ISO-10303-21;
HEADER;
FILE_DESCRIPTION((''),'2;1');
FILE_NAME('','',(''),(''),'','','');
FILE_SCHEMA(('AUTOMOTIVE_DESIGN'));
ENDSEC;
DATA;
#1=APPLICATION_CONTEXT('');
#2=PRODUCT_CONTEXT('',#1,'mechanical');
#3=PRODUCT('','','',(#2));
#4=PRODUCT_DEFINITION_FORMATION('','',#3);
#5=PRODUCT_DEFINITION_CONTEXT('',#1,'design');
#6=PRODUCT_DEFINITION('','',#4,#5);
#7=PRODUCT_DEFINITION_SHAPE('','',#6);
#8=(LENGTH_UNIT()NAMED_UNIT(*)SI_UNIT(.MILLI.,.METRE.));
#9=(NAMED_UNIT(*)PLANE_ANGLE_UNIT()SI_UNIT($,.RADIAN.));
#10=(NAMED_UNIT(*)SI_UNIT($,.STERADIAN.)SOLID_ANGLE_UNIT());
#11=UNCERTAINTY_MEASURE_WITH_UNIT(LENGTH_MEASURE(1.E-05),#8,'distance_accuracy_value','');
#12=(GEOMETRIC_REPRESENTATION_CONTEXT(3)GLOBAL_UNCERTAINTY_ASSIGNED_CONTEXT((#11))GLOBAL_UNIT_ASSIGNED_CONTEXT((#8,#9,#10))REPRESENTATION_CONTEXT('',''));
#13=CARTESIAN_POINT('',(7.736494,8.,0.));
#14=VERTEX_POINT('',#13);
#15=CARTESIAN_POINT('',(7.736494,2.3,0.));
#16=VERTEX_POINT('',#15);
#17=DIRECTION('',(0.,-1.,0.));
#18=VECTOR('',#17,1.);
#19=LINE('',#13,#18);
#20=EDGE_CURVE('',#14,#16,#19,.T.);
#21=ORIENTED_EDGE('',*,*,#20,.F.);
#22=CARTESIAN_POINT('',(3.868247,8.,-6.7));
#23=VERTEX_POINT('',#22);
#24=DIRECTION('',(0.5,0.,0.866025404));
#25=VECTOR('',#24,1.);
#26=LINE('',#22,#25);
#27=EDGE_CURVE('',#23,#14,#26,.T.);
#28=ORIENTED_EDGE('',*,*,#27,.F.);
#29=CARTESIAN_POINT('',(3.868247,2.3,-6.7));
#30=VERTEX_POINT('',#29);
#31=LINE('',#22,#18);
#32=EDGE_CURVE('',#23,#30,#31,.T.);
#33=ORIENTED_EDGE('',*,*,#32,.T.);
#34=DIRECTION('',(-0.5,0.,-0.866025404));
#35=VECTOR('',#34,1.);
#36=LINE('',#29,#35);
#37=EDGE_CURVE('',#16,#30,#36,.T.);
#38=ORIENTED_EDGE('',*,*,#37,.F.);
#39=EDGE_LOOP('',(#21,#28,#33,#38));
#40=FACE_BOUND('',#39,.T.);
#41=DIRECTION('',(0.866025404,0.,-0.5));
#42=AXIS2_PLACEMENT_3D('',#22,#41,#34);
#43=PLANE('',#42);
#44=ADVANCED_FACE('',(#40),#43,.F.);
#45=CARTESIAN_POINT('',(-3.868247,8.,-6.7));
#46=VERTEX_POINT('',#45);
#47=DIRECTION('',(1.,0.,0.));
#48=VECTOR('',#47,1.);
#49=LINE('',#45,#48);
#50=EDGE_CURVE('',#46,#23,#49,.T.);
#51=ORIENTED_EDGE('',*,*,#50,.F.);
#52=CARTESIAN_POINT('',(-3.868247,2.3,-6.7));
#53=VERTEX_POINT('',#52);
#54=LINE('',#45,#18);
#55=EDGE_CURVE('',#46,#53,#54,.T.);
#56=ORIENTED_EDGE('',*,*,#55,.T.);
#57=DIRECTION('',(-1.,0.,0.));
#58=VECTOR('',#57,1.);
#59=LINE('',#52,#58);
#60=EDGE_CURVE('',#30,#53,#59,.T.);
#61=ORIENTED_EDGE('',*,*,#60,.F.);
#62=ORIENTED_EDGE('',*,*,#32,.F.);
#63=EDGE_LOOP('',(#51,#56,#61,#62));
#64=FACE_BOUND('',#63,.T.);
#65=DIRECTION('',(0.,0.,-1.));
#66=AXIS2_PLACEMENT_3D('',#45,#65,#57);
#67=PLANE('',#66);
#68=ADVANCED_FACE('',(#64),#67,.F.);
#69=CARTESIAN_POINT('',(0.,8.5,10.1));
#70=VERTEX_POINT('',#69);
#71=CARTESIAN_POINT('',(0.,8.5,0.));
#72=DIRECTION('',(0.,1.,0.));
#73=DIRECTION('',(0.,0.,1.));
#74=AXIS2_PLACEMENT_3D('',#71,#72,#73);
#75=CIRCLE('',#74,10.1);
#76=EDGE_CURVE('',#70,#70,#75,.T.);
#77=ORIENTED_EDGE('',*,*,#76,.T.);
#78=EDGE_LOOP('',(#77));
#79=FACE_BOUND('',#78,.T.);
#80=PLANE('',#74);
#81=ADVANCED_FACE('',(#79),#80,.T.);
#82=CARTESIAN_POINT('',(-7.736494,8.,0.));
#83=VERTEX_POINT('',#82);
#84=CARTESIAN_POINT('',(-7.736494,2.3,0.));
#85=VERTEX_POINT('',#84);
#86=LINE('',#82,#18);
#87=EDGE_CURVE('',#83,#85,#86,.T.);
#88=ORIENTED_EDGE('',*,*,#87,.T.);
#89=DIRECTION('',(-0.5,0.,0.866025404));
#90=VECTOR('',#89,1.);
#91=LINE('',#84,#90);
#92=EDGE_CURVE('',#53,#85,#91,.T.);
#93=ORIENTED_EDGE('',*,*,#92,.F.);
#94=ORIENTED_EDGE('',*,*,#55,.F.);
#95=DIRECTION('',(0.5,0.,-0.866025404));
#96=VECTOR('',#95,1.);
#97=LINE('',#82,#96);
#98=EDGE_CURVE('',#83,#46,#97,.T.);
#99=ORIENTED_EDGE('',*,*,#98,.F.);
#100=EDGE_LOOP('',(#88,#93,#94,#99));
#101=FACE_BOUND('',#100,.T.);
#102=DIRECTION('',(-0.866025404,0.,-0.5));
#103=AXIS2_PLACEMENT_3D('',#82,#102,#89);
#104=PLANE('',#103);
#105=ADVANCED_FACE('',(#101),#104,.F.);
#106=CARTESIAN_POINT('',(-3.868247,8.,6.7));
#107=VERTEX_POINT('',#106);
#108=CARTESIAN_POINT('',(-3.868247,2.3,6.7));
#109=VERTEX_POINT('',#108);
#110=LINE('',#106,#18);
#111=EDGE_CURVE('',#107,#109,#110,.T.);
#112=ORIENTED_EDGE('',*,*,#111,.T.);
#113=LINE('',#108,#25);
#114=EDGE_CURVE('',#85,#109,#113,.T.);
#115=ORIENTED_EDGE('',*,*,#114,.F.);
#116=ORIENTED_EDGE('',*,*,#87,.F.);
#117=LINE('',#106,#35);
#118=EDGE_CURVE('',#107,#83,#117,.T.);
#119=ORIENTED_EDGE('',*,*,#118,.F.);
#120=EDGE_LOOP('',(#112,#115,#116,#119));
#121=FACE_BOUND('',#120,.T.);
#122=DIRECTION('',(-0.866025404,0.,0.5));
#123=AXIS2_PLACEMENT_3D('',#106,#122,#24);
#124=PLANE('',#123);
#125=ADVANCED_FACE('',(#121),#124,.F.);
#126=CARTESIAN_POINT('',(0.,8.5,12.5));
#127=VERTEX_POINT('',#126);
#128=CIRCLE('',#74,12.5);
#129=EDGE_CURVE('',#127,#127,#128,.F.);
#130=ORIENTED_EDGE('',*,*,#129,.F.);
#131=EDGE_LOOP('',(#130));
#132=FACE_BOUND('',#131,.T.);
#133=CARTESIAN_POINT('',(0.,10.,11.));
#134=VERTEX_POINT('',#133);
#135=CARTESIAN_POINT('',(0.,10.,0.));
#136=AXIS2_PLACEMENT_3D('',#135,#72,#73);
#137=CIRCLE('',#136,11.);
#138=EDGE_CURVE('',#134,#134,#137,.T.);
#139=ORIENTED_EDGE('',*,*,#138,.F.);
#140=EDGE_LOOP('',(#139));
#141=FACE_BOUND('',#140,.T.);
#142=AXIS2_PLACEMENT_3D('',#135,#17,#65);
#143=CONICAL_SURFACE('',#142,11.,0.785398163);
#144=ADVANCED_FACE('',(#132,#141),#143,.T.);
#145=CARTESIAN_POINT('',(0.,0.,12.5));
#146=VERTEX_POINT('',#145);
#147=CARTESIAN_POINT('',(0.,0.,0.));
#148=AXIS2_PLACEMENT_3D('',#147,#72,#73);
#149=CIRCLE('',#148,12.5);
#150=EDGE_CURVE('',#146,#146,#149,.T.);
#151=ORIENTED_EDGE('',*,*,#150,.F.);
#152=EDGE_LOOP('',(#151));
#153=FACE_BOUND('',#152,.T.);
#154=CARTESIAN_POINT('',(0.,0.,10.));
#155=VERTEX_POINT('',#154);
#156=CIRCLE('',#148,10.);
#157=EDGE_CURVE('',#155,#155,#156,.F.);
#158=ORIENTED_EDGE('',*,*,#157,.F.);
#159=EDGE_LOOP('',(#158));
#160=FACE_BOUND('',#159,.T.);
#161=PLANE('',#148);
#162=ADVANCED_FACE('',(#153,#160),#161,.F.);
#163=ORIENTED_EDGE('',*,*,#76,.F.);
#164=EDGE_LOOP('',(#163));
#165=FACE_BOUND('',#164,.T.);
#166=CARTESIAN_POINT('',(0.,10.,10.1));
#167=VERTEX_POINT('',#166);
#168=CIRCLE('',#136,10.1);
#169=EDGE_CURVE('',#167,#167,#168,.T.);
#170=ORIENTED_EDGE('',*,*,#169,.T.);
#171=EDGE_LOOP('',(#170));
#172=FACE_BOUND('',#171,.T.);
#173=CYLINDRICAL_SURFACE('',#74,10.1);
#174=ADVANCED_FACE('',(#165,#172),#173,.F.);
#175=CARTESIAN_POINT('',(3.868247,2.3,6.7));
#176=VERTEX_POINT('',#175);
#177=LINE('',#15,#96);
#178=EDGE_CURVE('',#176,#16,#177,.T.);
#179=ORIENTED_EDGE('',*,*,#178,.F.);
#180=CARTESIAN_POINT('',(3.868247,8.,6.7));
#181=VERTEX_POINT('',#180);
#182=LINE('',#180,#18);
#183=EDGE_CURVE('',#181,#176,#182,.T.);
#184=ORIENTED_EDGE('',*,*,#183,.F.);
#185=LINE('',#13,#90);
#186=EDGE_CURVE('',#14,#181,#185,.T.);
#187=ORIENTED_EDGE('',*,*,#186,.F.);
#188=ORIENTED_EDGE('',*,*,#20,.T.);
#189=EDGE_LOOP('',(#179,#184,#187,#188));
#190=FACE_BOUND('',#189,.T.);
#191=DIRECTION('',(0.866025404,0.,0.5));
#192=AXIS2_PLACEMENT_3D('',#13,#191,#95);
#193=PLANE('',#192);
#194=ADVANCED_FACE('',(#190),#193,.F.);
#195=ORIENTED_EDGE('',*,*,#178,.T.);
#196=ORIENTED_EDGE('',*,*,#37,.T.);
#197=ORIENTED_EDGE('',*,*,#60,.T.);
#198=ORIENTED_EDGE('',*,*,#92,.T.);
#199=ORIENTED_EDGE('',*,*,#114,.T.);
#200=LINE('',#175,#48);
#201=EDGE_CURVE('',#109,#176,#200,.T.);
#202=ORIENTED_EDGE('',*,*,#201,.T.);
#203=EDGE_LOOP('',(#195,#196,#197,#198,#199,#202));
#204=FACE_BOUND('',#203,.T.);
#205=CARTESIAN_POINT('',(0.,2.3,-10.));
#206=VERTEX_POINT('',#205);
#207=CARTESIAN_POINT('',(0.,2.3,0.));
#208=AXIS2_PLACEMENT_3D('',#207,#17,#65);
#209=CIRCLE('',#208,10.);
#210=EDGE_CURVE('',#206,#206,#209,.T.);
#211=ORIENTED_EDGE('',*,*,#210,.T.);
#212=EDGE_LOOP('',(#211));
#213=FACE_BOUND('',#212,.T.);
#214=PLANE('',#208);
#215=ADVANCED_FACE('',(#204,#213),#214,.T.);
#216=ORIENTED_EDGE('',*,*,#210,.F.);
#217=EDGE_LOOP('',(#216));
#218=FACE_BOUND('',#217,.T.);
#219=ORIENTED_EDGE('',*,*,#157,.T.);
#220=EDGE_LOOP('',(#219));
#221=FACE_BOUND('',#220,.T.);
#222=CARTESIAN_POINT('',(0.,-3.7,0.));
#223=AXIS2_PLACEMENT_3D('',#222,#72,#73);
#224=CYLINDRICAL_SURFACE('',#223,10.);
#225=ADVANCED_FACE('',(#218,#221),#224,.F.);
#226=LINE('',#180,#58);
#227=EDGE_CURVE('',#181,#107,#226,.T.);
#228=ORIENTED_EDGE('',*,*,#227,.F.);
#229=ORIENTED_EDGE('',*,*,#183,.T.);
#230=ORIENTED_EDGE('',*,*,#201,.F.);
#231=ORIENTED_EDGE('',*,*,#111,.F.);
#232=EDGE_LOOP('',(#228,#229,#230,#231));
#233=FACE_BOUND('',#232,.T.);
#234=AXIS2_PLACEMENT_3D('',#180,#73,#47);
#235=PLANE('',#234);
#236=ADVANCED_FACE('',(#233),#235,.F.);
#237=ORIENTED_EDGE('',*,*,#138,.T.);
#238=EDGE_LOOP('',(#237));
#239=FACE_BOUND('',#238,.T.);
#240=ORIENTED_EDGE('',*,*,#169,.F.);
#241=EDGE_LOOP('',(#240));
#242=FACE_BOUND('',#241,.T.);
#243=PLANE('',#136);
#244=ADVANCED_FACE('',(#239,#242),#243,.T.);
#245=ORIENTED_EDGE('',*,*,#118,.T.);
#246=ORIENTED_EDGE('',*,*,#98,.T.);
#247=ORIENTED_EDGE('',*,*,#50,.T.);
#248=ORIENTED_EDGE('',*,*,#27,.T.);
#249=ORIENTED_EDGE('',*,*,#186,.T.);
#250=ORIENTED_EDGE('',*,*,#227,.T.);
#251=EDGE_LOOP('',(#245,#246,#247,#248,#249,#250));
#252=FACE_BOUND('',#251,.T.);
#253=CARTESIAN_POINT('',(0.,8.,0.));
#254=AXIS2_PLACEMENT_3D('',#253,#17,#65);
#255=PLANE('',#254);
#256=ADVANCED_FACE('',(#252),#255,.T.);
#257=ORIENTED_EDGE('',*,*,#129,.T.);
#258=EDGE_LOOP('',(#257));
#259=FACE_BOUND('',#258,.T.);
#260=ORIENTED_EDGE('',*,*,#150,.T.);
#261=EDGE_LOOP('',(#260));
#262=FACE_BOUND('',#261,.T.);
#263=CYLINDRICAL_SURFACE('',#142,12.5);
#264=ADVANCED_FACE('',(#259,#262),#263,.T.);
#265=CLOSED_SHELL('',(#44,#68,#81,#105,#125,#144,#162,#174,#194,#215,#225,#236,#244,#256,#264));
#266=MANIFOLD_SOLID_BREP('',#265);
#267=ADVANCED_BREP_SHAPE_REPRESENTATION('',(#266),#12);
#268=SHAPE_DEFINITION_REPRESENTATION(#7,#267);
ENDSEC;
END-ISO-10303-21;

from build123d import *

# Parameters (mm, degrees)
SKETCH1_R           = 12.5
BOSS_EXTRUDE1_DEPTH = 10
CUT_EXTRUDE1_DEPTH  = 8
CHAMFER1_SIZE       = 1.5
SKETCH5_R           = 10
CUT_EXTRUDE2_DEPTH  = 6
SKETCH6_R           = 10.1
CUT_EXTRUDE3_DEPTH  = 1.5


with BuildPart() as part:
    # Sketch1 → Boss-Extrude1 (new body)
    with BuildSketch(Plane(origin=(0, 0, 0), x_dir=(1, 0, 0), z_dir=(0, 1, 0))):
        with Locations(Location((0, 0, 0), (0, 0, 270))):
            Circle(SKETCH1_R)
    extrude(amount=BOSS_EXTRUDE1_DEPTH)

    # Sketch2 → Cut-Extrude1 (cut)
    with BuildSketch(Plane.XZ):
        Polygon((7.736493607, 0), (3.868246804, 6.7), (-3.868246804, 6.7), (-7.736493607, 0), (-3.868246804, -6.7), (3.868246804, -6.7), align=None)
    extrude(amount=-CUT_EXTRUDE1_DEPTH, mode=Mode.SUBTRACT)

    # Chamfer1
    chamfer1_edges = [part.edges().sort_by_distance(p)[0] for p in [
        (0, 10, -12.5),
    ]]
    chamfer(chamfer1_edges, length=CHAMFER1_SIZE)

    # Sketch5 → Cut-Extrude2 (cut)
    with BuildSketch(Plane(origin=(0, 2.3, 0), x_dir=(-1, 0, 0), z_dir=(0, -1, 0))):
        with Locations(Location((0, 0, 0), (0, 0, 270))):
            Circle(SKETCH5_R)
    extrude(amount=CUT_EXTRUDE2_DEPTH, mode=Mode.SUBTRACT)

    # Sketch6 → Cut-Extrude3 (cut)
    with BuildSketch(Plane(origin=(0, 10, 0), x_dir=(1, 0, 0), z_dir=(0, 1, 0))):
        with Locations(Location((0, 0, 0), (0, 0, 270))):
            Circle(SKETCH6_R)
    extrude(amount=-CUT_EXTRUDE3_DEPTH, mode=Mode.SUBTRACT)


solid = part.part
